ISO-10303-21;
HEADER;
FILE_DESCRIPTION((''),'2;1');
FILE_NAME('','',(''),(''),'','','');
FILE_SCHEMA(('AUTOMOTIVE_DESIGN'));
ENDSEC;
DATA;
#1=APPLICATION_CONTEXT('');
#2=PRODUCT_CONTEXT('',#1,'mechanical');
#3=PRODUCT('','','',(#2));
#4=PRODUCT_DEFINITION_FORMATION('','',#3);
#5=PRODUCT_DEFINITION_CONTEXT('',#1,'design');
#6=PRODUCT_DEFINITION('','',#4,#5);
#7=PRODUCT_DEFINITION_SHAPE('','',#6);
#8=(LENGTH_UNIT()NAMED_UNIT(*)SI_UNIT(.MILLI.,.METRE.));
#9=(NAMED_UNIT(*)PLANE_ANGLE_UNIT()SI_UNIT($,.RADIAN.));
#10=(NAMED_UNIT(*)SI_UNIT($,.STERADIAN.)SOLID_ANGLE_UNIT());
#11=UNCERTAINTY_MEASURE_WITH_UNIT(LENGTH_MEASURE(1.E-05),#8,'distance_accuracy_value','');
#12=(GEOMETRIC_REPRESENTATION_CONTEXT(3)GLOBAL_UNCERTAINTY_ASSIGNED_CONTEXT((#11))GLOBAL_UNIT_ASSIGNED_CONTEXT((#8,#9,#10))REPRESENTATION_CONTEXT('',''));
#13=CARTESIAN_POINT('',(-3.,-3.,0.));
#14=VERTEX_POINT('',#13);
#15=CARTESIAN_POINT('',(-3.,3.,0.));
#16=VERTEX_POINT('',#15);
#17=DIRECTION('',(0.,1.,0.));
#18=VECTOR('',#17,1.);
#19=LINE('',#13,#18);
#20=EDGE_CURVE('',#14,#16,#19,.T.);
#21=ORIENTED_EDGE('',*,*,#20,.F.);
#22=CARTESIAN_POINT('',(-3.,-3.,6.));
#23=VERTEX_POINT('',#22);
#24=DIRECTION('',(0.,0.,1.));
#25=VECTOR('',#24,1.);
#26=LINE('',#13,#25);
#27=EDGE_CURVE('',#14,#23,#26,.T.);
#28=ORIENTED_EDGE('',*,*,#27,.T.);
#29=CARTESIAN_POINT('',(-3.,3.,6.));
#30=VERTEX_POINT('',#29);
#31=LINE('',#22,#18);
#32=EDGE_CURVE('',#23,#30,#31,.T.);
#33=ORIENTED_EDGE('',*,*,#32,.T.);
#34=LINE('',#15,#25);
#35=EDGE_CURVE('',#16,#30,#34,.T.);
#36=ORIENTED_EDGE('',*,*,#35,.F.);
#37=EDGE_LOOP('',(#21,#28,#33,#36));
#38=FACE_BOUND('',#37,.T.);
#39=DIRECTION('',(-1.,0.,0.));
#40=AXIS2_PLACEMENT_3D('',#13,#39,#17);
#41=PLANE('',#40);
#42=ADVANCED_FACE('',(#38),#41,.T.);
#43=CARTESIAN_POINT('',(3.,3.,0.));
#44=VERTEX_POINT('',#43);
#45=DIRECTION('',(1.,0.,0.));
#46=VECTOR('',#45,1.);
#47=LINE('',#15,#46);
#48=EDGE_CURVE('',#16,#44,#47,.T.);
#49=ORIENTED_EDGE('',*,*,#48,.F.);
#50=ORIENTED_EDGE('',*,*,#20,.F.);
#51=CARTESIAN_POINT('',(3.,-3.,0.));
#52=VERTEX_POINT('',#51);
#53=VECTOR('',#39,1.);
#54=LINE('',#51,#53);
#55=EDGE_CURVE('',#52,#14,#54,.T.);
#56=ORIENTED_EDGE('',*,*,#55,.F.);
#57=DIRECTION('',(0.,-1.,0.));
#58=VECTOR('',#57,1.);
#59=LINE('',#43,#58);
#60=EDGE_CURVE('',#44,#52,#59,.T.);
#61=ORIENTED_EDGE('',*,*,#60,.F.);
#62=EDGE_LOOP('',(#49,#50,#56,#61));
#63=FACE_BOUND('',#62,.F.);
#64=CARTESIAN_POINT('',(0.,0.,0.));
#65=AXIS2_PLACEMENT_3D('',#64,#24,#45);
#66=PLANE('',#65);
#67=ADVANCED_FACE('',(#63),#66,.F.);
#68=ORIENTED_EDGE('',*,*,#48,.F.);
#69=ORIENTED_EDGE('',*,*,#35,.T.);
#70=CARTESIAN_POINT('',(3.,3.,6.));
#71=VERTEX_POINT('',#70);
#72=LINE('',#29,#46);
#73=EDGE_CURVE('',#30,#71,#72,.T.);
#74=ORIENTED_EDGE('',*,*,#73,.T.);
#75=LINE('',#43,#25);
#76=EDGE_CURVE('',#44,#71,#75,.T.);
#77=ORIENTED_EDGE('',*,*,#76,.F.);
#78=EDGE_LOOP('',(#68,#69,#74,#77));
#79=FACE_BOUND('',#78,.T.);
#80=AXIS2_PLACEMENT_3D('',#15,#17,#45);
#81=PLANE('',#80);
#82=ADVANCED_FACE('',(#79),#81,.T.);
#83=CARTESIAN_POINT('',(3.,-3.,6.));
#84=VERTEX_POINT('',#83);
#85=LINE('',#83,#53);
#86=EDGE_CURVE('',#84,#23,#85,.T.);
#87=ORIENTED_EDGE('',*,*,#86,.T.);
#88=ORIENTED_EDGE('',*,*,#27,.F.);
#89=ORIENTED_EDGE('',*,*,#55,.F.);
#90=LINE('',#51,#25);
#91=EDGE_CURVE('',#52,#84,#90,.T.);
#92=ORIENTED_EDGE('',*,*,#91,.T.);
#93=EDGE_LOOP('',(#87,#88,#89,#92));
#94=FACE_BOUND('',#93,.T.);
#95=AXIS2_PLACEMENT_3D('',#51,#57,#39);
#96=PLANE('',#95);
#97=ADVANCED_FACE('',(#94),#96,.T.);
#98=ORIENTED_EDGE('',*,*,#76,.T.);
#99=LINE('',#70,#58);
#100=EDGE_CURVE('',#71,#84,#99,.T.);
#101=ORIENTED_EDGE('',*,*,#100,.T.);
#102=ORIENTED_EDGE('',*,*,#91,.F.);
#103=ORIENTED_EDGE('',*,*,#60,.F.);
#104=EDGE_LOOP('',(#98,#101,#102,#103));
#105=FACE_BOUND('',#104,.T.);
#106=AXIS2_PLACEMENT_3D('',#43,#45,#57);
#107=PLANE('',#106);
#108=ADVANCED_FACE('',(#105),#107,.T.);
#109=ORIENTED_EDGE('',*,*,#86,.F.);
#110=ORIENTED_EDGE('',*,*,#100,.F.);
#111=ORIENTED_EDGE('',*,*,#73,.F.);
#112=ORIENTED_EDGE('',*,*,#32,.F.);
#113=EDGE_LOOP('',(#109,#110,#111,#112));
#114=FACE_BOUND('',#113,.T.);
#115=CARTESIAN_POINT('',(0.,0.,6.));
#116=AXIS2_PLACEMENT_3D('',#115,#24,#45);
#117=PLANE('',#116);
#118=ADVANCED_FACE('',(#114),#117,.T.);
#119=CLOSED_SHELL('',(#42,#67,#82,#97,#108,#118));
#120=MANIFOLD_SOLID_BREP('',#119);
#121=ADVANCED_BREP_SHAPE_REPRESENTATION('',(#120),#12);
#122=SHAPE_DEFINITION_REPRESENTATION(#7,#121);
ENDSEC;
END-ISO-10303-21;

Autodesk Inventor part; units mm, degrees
ref_plane "YZ Plane" through (0, 0, 0) normal (1, 0, 0) x (0, 1, 0)
ref_plane "XZ Plane" through (0, 0, 0) normal (0, 1, 0) x (-1, 0, 0)
ref_plane "XY Plane" through (0, 0, 0) normal (0, 0, 1) x (1, 0, 0)
sketch "Sketch1" plane through (0, 0, 0) normal (0, 0, 1) x (1, 0, 0)
  line L0 (-3, 3) -> (3, 3)
  line L1 (3, 3) -> (3, -3)
  line L2 (3, -3) -> (-3, -3)
  line L3 (-3, -3) -> (-3, 3)
  point P0 (0, 0)
extrude "Extrusion1" add sketch "Sketch1" along normal blind 6
properties part number "testSven"
